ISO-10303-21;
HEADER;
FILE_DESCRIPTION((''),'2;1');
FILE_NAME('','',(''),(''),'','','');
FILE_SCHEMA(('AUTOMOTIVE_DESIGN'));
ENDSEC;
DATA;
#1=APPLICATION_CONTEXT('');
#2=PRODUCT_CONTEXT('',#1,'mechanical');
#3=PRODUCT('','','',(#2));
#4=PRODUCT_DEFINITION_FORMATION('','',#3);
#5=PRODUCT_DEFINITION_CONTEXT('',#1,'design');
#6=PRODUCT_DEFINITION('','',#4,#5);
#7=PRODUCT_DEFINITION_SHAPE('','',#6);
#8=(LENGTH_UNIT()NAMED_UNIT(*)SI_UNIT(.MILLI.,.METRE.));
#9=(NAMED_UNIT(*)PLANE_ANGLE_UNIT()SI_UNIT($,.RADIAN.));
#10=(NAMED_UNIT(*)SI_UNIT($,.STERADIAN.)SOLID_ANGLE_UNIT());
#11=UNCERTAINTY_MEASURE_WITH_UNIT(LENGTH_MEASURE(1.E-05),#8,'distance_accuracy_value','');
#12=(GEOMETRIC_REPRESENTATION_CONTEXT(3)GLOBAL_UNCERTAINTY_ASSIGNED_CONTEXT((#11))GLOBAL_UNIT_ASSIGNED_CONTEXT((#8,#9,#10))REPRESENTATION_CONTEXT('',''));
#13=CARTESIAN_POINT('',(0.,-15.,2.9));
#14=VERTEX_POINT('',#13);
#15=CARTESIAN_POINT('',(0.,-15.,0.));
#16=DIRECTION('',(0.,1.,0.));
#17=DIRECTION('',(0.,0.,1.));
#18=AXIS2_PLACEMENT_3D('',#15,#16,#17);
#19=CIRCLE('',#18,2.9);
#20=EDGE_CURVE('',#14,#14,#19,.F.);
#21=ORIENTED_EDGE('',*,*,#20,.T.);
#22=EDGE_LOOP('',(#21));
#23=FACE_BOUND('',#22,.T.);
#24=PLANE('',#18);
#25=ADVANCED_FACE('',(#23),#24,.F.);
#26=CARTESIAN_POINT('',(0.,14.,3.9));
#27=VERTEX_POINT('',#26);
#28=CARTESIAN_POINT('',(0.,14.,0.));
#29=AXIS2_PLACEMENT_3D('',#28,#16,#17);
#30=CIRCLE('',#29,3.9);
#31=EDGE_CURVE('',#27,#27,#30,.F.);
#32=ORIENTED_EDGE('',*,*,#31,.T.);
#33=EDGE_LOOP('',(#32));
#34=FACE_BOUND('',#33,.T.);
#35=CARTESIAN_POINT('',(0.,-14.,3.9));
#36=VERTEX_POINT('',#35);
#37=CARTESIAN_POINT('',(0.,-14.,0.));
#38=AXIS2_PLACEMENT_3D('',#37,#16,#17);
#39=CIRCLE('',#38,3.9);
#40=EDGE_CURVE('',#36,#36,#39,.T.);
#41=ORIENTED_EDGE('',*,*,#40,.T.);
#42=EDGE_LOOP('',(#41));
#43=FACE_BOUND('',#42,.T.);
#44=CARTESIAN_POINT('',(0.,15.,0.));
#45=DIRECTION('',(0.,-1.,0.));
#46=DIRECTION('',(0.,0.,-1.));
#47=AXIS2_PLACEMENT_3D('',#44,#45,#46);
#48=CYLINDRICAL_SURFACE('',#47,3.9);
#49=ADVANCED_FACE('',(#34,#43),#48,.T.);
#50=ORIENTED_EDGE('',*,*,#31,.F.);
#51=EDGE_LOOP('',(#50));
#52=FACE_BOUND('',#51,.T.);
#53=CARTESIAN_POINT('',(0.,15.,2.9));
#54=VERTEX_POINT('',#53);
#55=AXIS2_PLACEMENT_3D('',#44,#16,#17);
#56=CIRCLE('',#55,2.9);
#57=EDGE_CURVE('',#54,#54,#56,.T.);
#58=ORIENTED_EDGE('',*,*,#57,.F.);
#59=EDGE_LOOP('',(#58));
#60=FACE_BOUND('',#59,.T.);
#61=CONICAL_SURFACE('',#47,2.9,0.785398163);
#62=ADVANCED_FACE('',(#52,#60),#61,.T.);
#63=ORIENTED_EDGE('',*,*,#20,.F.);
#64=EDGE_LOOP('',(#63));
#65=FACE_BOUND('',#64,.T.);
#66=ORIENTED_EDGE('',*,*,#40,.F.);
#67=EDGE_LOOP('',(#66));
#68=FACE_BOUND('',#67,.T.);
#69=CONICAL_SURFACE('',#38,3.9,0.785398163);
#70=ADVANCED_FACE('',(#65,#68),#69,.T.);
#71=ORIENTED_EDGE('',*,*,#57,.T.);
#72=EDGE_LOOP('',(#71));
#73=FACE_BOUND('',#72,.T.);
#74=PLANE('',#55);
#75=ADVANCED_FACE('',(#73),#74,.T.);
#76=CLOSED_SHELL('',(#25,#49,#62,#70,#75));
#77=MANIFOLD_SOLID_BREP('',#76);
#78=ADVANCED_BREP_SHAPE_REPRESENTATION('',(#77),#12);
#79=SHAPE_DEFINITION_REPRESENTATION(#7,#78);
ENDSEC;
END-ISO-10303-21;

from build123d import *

# Parameters (mm, degrees)
SKETCH1_R           = 3.9
BOSS_EXTRUDE1_DEPTH = 15
CHAMFER1_SIZE       = 1


with BuildPart() as part:
    # Sketch1 → Boss-Extrude1 (new body, symmetric)
    with BuildSketch(Plane(origin=(0, 0, 0), x_dir=(1, 0, 0), z_dir=(0, 1, 0))):
        Circle(SKETCH1_R)
    extrude(amount=BOSS_EXTRUDE1_DEPTH, both=True)

    # Chamfer1
    chamfer1_edges = [part.edges().sort_by_distance(p)[0] for p in [
        (-3.9, -15, 0),
        (-3.9, 15, 0),
    ]]
    chamfer(chamfer1_edges, length=CHAMFER1_SIZE)


solid = part.part
